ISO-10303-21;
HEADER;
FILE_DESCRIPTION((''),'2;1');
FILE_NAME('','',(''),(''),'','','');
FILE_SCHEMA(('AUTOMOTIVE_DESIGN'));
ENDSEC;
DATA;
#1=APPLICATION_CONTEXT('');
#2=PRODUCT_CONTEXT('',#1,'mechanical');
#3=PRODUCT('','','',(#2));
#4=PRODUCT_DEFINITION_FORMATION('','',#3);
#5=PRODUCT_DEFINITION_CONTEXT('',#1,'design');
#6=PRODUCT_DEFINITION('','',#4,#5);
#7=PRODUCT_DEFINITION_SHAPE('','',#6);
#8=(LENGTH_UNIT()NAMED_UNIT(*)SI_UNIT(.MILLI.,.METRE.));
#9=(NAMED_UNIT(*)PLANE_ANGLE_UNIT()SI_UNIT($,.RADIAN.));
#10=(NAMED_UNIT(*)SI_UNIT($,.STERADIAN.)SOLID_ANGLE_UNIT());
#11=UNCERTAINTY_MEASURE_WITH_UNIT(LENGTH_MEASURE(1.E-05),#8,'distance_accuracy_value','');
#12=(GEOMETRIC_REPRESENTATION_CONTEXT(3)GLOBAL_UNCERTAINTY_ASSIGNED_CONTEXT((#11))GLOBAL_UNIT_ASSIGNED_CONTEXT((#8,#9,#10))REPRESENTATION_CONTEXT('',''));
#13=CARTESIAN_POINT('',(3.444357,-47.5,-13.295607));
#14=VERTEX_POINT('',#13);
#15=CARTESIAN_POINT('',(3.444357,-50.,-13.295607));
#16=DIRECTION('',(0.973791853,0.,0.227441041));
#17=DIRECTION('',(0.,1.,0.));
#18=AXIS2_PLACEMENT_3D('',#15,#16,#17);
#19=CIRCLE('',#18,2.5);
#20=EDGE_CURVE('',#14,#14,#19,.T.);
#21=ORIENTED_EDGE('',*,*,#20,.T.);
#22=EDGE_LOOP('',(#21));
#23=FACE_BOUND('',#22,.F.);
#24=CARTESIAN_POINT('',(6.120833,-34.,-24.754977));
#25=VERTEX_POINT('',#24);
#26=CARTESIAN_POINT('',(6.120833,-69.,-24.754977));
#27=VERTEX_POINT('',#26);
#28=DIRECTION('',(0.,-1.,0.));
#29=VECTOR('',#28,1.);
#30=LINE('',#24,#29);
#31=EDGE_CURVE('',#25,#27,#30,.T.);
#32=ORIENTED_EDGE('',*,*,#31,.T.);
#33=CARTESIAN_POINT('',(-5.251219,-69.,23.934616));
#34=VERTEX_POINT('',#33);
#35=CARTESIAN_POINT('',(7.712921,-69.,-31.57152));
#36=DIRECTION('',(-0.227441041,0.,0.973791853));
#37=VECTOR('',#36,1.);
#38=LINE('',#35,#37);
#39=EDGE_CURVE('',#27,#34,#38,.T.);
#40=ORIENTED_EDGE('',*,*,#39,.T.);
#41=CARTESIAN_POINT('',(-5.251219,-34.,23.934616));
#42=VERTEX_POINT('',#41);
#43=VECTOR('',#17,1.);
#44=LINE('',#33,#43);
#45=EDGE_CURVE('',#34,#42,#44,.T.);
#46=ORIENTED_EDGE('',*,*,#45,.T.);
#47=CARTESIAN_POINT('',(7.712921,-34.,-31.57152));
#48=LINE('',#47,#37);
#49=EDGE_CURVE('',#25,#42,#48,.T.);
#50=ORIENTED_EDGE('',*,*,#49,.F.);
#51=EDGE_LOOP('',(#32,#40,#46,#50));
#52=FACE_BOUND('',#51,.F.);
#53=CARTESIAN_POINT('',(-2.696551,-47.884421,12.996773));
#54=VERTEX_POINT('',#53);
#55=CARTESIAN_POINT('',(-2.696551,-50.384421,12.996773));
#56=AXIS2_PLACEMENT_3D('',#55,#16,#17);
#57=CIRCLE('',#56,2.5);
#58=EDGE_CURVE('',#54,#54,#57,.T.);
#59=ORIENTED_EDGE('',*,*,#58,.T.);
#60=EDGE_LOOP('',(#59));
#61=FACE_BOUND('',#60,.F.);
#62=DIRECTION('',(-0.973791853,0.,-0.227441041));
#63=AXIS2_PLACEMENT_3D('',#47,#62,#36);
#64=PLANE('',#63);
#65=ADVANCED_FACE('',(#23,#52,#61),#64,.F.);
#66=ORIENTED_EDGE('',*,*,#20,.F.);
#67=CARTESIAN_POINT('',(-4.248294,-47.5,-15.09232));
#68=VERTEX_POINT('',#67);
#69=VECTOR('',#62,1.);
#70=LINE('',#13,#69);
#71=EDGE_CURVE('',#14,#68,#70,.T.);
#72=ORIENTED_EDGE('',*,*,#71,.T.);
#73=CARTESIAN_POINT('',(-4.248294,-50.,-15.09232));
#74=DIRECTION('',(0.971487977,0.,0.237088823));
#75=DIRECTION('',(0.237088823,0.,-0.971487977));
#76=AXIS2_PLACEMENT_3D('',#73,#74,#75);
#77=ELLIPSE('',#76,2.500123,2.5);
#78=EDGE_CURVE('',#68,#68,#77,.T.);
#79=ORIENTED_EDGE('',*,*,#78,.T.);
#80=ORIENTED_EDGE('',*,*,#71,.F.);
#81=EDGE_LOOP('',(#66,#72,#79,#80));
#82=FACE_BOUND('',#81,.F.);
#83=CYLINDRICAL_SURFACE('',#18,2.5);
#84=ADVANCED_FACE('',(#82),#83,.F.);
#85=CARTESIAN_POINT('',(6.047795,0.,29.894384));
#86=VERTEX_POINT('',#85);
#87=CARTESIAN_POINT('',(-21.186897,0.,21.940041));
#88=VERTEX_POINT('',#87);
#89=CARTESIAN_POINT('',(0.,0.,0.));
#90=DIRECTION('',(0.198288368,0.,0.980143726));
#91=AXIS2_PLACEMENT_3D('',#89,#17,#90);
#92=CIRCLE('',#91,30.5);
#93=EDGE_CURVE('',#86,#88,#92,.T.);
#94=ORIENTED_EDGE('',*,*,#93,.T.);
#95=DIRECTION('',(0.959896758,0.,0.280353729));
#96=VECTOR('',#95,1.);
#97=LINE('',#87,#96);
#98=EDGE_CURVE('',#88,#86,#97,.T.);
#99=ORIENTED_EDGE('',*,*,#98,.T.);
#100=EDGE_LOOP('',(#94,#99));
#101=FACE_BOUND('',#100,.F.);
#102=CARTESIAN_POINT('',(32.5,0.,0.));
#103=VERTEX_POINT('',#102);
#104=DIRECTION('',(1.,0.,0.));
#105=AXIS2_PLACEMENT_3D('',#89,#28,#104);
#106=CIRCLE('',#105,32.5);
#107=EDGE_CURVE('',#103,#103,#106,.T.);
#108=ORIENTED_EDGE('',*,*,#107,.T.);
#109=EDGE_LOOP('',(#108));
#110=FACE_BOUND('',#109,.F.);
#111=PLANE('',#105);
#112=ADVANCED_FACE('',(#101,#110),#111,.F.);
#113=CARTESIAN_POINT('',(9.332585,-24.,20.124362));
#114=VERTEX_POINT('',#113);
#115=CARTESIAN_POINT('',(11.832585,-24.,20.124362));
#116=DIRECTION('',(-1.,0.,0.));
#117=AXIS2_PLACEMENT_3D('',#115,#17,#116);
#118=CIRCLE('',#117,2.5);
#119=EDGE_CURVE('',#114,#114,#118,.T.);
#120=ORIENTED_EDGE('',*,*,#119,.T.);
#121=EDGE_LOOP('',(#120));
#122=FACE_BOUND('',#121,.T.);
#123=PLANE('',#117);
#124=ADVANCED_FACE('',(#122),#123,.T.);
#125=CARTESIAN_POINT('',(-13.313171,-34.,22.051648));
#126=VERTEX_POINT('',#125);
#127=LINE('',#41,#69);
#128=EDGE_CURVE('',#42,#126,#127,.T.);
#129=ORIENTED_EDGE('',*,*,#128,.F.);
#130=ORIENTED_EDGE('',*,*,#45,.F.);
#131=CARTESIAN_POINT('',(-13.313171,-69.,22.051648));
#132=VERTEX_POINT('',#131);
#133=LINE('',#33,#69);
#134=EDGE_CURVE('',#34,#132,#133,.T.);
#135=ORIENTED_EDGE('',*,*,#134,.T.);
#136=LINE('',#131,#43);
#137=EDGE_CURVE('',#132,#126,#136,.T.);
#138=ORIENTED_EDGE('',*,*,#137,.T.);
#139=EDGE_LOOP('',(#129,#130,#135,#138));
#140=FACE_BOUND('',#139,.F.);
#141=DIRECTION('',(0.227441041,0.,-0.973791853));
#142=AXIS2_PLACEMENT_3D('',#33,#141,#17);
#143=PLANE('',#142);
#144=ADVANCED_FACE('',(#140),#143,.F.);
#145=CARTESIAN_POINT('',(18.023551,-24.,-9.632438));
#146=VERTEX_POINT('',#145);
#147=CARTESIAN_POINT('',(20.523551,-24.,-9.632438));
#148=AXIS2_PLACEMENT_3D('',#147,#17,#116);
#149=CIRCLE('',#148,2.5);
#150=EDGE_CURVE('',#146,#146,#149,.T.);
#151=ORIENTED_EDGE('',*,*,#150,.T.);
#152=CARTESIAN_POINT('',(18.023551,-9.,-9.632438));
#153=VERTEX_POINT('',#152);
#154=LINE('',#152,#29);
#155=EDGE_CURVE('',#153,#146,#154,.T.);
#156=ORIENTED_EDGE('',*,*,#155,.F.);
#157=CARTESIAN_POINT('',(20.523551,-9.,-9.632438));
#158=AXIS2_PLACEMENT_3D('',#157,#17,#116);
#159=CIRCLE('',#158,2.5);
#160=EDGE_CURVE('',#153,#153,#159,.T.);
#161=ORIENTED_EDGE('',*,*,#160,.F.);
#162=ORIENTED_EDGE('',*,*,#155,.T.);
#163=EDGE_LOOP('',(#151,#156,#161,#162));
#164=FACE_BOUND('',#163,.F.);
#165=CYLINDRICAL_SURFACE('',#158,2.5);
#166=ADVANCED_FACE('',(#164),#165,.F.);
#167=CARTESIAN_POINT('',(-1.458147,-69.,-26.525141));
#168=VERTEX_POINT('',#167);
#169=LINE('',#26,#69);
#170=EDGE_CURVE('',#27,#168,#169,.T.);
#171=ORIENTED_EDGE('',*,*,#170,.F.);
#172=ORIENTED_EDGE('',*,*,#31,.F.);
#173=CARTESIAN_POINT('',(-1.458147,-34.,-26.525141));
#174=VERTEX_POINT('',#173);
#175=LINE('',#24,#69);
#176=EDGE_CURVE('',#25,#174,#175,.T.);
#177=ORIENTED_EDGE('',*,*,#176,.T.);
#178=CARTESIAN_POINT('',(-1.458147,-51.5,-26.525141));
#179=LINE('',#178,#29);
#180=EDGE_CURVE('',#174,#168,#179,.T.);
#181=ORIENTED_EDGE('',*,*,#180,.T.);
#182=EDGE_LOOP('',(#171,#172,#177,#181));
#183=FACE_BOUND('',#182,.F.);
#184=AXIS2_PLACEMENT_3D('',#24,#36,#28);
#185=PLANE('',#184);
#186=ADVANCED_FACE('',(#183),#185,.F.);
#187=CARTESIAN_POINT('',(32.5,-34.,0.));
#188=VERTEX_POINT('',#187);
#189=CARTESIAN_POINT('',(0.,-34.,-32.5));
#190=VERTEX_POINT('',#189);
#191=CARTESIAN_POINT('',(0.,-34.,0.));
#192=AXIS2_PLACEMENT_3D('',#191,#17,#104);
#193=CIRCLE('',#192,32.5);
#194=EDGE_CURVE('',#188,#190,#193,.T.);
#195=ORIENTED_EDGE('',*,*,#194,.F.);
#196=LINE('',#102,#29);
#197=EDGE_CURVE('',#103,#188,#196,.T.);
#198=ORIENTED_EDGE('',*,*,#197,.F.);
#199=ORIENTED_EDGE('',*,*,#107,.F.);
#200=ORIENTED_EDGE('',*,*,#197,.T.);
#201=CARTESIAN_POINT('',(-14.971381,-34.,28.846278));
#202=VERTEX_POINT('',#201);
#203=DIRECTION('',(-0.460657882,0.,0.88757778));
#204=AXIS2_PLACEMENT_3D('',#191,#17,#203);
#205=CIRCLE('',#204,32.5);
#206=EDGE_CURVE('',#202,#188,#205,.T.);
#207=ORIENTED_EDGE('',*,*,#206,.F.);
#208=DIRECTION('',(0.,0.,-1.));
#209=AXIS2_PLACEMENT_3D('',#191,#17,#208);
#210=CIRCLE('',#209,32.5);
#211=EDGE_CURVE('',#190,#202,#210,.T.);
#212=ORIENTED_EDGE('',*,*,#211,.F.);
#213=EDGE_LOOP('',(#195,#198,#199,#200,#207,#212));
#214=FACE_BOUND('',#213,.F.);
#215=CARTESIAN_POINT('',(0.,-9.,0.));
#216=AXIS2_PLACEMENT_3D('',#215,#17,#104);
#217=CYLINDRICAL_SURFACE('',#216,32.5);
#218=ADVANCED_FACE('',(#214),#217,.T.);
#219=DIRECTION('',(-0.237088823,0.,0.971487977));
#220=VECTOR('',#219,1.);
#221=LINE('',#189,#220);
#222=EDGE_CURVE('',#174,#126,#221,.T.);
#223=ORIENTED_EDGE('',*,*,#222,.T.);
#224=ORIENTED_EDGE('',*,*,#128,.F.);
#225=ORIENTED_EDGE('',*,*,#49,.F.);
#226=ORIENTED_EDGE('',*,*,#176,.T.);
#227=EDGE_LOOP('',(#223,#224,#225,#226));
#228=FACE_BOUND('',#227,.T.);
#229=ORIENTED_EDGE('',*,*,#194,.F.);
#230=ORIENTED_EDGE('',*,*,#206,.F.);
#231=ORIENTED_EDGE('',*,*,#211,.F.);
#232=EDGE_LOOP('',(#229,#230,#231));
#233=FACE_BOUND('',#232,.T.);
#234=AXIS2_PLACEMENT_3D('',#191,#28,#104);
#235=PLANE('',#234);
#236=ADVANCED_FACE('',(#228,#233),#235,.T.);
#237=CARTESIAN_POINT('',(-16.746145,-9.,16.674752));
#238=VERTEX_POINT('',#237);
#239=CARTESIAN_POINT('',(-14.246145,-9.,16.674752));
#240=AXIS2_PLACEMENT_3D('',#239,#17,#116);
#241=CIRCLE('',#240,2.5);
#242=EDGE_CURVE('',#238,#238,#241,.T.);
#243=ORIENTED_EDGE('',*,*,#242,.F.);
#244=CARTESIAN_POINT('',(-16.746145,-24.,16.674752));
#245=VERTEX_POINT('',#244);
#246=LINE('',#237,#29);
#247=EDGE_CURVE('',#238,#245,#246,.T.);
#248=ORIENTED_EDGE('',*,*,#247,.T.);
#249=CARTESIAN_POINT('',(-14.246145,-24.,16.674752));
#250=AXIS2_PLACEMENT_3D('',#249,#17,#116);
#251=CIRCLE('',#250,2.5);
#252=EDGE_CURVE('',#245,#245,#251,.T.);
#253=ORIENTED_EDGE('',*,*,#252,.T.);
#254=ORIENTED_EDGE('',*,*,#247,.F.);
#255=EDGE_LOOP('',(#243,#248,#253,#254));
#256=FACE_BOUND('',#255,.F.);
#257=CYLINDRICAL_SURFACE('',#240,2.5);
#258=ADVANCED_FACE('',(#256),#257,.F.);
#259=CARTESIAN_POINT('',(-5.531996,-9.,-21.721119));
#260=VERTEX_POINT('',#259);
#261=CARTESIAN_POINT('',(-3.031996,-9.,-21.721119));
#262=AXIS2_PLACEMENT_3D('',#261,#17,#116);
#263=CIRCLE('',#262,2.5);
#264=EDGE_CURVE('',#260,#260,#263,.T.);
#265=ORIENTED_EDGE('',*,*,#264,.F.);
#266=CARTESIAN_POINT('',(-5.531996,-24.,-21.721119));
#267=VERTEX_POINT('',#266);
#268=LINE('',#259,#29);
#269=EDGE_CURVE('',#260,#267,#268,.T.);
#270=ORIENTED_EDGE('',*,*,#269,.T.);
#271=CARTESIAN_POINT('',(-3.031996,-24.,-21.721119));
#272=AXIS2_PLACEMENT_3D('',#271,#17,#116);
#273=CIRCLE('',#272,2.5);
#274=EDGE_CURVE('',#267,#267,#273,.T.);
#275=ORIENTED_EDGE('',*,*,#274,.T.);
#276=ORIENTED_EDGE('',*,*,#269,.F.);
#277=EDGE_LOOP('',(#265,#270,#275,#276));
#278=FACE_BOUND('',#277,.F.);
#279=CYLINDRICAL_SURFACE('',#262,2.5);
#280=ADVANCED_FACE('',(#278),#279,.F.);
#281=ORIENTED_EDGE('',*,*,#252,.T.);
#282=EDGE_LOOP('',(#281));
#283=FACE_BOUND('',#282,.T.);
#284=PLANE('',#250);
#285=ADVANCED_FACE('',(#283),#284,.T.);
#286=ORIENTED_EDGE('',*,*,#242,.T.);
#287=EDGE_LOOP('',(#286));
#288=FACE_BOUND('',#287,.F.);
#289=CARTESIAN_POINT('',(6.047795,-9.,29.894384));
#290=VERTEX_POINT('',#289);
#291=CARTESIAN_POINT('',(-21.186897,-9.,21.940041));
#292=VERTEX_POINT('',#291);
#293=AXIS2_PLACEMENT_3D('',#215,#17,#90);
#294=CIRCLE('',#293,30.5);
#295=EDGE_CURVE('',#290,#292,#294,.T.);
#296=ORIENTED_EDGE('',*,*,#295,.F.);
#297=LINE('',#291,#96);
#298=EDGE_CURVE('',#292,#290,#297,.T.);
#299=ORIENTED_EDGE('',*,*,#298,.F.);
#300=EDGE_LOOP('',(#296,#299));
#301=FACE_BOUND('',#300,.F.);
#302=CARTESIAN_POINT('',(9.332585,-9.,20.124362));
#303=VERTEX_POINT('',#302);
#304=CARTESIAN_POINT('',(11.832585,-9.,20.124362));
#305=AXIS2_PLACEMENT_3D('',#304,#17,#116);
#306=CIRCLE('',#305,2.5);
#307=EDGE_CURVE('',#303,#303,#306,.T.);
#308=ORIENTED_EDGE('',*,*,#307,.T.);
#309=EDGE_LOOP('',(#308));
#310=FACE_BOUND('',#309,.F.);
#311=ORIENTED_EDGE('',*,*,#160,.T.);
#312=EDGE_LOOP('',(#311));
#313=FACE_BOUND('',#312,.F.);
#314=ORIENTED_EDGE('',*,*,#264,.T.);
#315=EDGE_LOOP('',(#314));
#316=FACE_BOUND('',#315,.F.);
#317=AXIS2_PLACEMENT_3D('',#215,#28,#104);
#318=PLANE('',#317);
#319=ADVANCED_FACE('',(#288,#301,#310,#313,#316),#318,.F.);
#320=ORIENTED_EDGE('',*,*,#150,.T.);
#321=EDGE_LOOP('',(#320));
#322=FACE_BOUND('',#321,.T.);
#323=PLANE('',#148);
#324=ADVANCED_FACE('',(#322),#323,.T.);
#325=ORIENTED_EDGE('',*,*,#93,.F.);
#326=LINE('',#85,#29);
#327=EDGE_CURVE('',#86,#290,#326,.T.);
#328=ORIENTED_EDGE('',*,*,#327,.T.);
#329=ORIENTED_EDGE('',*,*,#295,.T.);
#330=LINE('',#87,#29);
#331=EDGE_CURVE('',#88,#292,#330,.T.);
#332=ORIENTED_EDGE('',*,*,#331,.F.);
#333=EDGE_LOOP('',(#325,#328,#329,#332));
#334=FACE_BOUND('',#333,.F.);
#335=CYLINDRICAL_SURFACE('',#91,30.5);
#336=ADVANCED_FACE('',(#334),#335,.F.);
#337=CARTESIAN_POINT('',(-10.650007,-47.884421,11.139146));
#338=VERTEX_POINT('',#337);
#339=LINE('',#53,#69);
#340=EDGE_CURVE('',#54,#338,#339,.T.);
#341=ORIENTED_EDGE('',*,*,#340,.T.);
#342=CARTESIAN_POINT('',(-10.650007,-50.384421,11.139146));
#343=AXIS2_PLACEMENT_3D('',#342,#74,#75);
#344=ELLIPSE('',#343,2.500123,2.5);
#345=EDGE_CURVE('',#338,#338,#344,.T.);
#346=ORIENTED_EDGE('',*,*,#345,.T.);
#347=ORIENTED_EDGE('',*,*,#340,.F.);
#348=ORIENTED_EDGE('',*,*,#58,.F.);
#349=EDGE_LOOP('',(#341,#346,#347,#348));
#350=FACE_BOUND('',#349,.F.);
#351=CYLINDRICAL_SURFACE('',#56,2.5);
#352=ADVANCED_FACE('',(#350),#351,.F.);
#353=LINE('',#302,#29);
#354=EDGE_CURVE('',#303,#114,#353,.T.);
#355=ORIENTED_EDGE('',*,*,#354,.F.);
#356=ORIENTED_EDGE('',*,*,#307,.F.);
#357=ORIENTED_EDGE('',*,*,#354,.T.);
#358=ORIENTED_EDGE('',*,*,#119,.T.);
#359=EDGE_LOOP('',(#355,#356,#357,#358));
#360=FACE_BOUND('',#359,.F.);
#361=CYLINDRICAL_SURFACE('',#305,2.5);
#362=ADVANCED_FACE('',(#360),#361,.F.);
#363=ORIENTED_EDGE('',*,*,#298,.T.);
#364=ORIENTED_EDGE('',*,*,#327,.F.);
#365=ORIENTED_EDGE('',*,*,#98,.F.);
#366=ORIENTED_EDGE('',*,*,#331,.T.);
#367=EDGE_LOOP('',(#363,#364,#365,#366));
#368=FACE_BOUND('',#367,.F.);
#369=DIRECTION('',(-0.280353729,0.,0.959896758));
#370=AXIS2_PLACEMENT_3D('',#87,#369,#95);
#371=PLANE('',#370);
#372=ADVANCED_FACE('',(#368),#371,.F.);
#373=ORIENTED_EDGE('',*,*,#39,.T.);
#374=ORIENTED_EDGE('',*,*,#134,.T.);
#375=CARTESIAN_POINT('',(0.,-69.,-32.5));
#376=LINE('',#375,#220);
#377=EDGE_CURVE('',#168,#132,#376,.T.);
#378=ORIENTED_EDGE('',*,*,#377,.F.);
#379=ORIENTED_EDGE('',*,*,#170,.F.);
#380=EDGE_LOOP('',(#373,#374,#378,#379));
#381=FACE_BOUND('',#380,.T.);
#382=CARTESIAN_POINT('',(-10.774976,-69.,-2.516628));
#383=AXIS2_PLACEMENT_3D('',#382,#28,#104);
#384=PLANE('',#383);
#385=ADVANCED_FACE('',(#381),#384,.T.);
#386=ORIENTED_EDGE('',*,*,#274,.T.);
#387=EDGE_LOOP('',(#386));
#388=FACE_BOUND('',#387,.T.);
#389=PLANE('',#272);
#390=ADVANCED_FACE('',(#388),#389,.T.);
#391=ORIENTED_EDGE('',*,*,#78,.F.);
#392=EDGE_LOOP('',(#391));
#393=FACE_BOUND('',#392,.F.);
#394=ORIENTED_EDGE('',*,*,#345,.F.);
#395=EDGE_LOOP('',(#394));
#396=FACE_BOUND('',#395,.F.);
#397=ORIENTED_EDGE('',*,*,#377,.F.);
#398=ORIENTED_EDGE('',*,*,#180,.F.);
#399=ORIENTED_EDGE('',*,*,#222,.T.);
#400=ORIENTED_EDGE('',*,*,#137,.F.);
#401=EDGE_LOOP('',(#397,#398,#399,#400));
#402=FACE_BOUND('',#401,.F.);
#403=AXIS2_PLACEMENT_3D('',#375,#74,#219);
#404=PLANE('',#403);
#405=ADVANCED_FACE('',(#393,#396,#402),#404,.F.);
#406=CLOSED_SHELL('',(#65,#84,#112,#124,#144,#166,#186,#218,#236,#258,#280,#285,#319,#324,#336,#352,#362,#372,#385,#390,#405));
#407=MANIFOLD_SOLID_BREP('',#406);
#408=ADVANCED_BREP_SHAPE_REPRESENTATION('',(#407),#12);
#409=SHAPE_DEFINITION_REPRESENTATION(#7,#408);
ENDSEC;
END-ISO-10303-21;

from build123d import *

# Parameters (mm, degrees)
F0_R      = 32.5
F1_DEPTH  = 9
F2_R      = 32.5
F3_DEPTH  = 25
F6_DEPTH  = 35
F8_DEPTH  = 35
F10_DEPTH = 25
F11_R     = 2.5
F12_DEPTH = 25
F13_R     = 2.5
F14_DEPTH = 15


with BuildPart() as f1:
    # F0 (on Front) → F1 (new body)
    with BuildSketch(Plane.XZ):
        Circle(F0_R)
        with BuildLine():
            ThreePointArc((6.0477952292, 29.8943836341), (8.5507887297, -29.2768511302), (-21.1868965868, 21.9400413177))
            Line((-21.1868965868, 21.9400413177), (6.0477952292, 29.8943836341))
        make_face(mode=Mode.SUBTRACT)
    extrude(amount=F1_DEPTH)

    # F2 (on face) → F3 (join)
    with BuildSketch(Plane.XZ.offset(9)):
        Circle(F2_R)
    extrude(amount=F3_DEPTH)

    # F5 (on face) → F6 (join)
    with BuildSketch(Plane.XZ.offset(34)):
        with BuildLine():
            Line((7.7129205553, -31.5715197054), (-7.0699844214, 31.7216853317))
            ThreePointArc((-7.0699844214, 31.7216853317), (-31.6482352223, -7.3918338264), (7.7129205553, -31.5715197054))
        make_face()
    extrude(amount=F6_DEPTH)

    # F7 (on face) → F8 (cut)
    with BuildSketch(Plane.XZ.offset(69)):
        with BuildLine():
            Line((0, -32.5), (-14.9713811536, 28.8462778596))
            ThreePointArc((-14.9713811536, 28.8462778596), (-31.5733592641, -7.705386738), (0, -32.5))
        make_face()
    extrude(amount=-F8_DEPTH, mode=Mode.SUBTRACT)

    # F9 (on face) → F10 (cut)
    with BuildSketch(Plane(origin=(0.321468067, 0, 0.0750828131), x_dir=(0, 1, 0), z_dir=(0.973791853, 0, 0.2274410408))):
        Polygon((-34, -40.3801463544), (-34, -32.4983233545), (-34, -25.4983233545), (-69, -25.4983233545), (-69, -32.4983233545), (-69, -40.3801463544), align=None)
        Polygon((-69, 32.4983233545), (-69, 24.5016766455), (-34, 24.5016766455), (-34, 32.4983233545), (-34, 45.2751591802), (-69, 45.2751591802), align=None)
    extrude(amount=-F10_DEPTH, mode=Mode.SUBTRACT)

    # F11 (on face) → F12 (cut)
    with BuildSketch(Plane(origin=(0.321468067, 0, 0.0750828131), x_dir=(0, 1, 0), z_dir=(0.973791853, 0, 0.2274410408))):
        with Locations((-50, -13.7305416178)):
            Circle(F11_R)
        with Locations((-50.3844208735, 13.2694583822)):
            Circle(F11_R)
    extrude(amount=-F12_DEPTH, mode=Mode.SUBTRACT)

    # F13 (on face) → F14 (cut)
    with BuildSketch(Plane(origin=(0, -9, 0), x_dir=(-1, 0, 0), z_dir=(0, 1, 0))):
        with Locations((-20.5235508249, -9.6324379852)):
            Circle(F13_R)
        with Locations((-11.8325852307, 20.1243615242)):
            Circle(F13_R)
        with Locations((14.2461454022, 16.6747516077)):
            Circle(F13_R)
        with Locations((3.0319962484, -21.7211187269)):
            Circle(F13_R)
    extrude(amount=-F14_DEPTH, mode=Mode.SUBTRACT)


solid = f1.part
